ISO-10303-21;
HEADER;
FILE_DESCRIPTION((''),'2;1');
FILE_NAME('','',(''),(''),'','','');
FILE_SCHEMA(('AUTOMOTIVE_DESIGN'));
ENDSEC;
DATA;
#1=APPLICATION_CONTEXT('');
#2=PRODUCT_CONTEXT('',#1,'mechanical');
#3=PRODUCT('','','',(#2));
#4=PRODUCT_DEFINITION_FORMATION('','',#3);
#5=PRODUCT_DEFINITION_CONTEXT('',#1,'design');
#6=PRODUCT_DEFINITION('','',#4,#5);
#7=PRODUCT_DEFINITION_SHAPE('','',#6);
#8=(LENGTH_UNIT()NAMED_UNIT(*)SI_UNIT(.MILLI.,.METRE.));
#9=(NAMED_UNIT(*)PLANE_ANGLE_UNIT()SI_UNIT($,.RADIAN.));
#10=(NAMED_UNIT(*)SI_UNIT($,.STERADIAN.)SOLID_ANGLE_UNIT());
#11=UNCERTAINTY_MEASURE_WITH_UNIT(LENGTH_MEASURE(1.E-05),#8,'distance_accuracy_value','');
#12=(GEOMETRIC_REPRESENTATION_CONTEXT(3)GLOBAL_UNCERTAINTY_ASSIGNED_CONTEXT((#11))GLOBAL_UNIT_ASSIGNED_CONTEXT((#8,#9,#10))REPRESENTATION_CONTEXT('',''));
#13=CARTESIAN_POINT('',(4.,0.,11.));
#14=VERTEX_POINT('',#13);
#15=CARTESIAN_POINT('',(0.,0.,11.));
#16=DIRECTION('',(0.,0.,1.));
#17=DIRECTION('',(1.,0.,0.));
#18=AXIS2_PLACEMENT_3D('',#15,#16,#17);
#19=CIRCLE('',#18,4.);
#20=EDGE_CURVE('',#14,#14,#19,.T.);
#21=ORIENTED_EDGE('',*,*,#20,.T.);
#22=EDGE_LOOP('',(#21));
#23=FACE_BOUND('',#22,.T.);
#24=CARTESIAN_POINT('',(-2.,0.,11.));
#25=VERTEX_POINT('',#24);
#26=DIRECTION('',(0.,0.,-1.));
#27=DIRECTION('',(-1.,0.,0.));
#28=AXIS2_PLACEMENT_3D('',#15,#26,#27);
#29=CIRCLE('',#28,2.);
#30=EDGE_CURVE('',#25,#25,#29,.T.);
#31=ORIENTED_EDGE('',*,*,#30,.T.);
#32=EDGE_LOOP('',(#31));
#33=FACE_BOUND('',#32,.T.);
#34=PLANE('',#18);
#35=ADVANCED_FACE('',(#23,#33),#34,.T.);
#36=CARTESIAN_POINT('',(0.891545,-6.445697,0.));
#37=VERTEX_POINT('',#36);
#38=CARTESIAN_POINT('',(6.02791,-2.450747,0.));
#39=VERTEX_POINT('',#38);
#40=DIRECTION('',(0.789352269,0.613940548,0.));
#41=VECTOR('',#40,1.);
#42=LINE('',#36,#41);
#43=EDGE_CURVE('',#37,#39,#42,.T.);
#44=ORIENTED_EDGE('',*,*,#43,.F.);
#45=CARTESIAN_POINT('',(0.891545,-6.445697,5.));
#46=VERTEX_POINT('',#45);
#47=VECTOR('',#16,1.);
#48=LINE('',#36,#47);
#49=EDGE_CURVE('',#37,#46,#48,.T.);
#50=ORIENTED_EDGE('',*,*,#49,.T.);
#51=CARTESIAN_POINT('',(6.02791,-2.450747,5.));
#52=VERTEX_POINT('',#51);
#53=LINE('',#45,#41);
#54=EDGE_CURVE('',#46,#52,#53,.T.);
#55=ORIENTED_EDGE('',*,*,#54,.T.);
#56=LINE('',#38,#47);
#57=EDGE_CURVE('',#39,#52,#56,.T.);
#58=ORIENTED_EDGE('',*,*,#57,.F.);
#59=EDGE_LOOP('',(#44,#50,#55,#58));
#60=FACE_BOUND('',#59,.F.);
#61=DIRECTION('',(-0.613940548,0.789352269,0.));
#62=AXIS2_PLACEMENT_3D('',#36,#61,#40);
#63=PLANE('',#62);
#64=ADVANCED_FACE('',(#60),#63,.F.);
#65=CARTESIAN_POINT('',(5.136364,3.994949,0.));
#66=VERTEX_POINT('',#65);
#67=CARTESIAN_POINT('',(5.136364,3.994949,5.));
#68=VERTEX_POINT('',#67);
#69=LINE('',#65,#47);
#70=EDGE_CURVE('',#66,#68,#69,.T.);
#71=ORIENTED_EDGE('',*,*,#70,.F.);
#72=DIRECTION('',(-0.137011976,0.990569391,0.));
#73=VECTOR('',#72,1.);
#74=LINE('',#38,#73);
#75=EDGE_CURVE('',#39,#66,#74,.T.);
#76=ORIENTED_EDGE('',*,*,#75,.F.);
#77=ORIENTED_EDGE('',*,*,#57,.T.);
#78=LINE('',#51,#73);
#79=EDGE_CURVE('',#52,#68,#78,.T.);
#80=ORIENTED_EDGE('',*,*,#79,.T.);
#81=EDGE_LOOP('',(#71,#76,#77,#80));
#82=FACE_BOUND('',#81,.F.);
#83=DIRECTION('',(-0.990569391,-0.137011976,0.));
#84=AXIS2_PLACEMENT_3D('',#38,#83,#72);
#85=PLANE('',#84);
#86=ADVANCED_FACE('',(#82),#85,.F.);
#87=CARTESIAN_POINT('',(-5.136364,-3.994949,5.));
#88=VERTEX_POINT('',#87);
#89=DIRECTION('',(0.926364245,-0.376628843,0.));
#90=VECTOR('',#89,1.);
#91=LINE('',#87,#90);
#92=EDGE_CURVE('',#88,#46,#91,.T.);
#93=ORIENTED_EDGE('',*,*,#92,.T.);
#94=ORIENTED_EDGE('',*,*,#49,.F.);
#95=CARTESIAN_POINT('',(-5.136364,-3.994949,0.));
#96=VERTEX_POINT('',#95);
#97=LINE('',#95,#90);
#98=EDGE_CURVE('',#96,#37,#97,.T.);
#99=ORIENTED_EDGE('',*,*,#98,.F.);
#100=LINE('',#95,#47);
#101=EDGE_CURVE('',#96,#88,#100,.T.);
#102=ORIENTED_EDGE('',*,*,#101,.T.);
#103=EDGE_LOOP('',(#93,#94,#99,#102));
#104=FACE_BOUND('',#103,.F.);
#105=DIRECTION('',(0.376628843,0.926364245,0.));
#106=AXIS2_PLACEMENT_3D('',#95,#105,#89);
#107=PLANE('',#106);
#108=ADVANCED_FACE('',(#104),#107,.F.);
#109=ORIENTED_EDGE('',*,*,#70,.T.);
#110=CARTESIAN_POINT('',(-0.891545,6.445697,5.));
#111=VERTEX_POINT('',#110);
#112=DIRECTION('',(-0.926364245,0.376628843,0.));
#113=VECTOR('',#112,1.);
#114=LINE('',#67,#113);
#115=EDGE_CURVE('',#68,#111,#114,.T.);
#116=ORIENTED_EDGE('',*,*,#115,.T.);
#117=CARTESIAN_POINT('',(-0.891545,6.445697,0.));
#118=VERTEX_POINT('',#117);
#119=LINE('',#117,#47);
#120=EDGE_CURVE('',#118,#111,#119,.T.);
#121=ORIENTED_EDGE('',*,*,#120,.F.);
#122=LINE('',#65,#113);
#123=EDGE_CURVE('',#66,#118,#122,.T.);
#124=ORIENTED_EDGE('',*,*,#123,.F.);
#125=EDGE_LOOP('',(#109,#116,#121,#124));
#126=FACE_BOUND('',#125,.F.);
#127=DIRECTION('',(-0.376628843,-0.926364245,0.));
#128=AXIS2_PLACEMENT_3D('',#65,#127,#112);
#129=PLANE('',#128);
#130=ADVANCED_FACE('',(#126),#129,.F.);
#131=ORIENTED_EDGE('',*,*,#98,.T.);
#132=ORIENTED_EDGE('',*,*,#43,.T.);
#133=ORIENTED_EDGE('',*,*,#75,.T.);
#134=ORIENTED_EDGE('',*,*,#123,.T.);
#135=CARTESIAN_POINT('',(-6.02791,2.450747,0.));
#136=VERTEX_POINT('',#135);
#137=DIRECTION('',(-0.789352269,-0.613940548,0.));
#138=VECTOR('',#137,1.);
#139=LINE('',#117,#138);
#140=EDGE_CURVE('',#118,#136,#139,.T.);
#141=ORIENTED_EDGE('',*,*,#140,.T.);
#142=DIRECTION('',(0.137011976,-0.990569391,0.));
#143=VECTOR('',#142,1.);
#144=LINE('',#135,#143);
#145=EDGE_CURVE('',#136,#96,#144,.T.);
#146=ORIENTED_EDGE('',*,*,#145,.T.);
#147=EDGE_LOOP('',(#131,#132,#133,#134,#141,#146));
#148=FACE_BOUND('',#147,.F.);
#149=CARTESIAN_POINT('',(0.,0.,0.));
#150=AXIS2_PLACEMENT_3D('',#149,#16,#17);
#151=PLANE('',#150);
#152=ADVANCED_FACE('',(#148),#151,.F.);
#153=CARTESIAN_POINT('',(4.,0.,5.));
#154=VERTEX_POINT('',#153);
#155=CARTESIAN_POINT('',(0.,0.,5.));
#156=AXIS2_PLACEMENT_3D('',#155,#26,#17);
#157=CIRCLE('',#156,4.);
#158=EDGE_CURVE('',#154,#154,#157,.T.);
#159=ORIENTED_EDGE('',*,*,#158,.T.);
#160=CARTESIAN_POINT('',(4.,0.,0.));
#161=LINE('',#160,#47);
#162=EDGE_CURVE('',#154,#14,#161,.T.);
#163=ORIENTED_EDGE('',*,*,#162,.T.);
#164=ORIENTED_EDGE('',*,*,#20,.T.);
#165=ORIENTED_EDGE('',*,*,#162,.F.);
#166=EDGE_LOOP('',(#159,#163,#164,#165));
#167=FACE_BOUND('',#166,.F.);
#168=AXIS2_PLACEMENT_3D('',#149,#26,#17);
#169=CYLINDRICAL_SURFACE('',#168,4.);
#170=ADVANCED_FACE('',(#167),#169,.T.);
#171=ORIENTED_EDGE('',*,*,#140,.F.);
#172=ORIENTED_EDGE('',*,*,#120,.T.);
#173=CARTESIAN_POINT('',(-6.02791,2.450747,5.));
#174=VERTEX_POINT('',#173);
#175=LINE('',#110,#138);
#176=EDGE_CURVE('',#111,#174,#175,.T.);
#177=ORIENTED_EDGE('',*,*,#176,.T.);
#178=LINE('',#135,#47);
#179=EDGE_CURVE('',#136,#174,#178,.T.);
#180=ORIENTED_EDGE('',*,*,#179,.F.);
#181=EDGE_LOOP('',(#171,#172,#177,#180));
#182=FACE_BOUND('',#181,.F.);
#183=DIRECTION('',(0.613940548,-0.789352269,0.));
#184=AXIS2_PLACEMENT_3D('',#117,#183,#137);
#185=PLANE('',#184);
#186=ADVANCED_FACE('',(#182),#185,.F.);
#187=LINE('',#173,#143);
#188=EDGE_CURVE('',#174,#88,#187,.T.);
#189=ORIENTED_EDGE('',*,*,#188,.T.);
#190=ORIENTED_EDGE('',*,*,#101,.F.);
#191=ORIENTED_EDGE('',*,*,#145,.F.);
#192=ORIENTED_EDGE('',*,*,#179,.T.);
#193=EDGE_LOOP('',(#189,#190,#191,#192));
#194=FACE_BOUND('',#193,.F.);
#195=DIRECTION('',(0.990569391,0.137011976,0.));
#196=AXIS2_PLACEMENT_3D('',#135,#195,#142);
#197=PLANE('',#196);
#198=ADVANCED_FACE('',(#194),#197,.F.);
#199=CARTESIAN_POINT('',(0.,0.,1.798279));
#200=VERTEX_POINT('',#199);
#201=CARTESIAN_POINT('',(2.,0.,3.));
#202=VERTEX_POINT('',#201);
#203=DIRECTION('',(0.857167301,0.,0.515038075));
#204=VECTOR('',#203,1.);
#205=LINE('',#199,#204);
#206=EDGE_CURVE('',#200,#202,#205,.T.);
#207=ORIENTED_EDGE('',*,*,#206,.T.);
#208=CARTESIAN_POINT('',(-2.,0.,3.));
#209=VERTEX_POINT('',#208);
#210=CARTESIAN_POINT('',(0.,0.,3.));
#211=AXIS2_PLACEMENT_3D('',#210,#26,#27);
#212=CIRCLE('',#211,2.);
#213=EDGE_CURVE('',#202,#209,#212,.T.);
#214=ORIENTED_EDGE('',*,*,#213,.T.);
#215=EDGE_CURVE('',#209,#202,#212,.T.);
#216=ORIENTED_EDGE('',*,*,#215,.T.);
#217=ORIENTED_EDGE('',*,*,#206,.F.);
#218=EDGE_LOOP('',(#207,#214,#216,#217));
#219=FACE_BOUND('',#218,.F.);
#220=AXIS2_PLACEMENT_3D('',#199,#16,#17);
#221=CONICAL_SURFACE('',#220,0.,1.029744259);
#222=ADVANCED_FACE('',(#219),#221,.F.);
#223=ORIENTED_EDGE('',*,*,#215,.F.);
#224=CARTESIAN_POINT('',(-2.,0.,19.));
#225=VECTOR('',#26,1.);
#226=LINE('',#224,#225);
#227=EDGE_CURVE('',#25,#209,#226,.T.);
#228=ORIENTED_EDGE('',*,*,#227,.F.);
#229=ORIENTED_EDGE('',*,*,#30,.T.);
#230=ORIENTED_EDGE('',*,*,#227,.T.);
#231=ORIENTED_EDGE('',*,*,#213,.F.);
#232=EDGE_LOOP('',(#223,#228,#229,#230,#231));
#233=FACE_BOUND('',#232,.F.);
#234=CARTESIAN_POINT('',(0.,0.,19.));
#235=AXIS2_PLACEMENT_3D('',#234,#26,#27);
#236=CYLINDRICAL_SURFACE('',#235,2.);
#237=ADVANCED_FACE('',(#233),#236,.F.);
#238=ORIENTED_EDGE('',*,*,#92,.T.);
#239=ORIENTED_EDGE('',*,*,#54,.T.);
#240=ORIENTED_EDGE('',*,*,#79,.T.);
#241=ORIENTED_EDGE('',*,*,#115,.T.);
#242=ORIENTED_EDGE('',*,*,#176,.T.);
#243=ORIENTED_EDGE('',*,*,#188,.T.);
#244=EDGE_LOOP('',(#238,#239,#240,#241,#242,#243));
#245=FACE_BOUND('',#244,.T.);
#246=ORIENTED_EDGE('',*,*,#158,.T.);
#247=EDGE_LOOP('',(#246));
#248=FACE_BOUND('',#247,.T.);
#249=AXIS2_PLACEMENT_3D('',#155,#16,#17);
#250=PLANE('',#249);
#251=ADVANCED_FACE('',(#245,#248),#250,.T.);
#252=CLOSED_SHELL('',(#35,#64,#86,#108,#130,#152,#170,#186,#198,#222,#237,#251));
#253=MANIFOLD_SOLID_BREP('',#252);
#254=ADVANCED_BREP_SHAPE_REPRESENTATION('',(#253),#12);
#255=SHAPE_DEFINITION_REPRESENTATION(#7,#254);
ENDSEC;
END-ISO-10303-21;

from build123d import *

# Parameters (mm, degrees)
F0_R     = 4
F1_DEPTH = 11
F3_DEPTH = 5
F6_D     = 4
F6_DEPTH = 8
F6_TIP   = 1.2017212381


with BuildPart() as f1:
    # F0 (on Top) → F1 (new body)
    with BuildSketch(Plane.XY):
        Circle(F0_R)
    extrude(amount=F1_DEPTH)

    # F2 (on Top) → F3 (join)
    with BuildSketch(Plane.XY):
        Polygon((0.8915454574, -6.4456966717), (6.0279097915, -2.4507473211), (5.1363643341, 3.9949493506), (-0.8915454574, 6.4456966717), (-6.0279097915, 2.4507473211), (-5.1363643341, -3.9949493506), align=None)
    extrude(amount=F3_DEPTH)

    # F6
    with Locations(Plane.XY.offset(11)):
        with Locations((0, 0)):
            Hole(F6_D / 2, depth=F6_DEPTH)
            with Locations((0, 0, -(F6_DEPTH + F6_TIP / 2))):  # 118° drill point
                Cone(0, F6_D / 2, F6_TIP, mode=Mode.SUBTRACT)


solid = f1.part
